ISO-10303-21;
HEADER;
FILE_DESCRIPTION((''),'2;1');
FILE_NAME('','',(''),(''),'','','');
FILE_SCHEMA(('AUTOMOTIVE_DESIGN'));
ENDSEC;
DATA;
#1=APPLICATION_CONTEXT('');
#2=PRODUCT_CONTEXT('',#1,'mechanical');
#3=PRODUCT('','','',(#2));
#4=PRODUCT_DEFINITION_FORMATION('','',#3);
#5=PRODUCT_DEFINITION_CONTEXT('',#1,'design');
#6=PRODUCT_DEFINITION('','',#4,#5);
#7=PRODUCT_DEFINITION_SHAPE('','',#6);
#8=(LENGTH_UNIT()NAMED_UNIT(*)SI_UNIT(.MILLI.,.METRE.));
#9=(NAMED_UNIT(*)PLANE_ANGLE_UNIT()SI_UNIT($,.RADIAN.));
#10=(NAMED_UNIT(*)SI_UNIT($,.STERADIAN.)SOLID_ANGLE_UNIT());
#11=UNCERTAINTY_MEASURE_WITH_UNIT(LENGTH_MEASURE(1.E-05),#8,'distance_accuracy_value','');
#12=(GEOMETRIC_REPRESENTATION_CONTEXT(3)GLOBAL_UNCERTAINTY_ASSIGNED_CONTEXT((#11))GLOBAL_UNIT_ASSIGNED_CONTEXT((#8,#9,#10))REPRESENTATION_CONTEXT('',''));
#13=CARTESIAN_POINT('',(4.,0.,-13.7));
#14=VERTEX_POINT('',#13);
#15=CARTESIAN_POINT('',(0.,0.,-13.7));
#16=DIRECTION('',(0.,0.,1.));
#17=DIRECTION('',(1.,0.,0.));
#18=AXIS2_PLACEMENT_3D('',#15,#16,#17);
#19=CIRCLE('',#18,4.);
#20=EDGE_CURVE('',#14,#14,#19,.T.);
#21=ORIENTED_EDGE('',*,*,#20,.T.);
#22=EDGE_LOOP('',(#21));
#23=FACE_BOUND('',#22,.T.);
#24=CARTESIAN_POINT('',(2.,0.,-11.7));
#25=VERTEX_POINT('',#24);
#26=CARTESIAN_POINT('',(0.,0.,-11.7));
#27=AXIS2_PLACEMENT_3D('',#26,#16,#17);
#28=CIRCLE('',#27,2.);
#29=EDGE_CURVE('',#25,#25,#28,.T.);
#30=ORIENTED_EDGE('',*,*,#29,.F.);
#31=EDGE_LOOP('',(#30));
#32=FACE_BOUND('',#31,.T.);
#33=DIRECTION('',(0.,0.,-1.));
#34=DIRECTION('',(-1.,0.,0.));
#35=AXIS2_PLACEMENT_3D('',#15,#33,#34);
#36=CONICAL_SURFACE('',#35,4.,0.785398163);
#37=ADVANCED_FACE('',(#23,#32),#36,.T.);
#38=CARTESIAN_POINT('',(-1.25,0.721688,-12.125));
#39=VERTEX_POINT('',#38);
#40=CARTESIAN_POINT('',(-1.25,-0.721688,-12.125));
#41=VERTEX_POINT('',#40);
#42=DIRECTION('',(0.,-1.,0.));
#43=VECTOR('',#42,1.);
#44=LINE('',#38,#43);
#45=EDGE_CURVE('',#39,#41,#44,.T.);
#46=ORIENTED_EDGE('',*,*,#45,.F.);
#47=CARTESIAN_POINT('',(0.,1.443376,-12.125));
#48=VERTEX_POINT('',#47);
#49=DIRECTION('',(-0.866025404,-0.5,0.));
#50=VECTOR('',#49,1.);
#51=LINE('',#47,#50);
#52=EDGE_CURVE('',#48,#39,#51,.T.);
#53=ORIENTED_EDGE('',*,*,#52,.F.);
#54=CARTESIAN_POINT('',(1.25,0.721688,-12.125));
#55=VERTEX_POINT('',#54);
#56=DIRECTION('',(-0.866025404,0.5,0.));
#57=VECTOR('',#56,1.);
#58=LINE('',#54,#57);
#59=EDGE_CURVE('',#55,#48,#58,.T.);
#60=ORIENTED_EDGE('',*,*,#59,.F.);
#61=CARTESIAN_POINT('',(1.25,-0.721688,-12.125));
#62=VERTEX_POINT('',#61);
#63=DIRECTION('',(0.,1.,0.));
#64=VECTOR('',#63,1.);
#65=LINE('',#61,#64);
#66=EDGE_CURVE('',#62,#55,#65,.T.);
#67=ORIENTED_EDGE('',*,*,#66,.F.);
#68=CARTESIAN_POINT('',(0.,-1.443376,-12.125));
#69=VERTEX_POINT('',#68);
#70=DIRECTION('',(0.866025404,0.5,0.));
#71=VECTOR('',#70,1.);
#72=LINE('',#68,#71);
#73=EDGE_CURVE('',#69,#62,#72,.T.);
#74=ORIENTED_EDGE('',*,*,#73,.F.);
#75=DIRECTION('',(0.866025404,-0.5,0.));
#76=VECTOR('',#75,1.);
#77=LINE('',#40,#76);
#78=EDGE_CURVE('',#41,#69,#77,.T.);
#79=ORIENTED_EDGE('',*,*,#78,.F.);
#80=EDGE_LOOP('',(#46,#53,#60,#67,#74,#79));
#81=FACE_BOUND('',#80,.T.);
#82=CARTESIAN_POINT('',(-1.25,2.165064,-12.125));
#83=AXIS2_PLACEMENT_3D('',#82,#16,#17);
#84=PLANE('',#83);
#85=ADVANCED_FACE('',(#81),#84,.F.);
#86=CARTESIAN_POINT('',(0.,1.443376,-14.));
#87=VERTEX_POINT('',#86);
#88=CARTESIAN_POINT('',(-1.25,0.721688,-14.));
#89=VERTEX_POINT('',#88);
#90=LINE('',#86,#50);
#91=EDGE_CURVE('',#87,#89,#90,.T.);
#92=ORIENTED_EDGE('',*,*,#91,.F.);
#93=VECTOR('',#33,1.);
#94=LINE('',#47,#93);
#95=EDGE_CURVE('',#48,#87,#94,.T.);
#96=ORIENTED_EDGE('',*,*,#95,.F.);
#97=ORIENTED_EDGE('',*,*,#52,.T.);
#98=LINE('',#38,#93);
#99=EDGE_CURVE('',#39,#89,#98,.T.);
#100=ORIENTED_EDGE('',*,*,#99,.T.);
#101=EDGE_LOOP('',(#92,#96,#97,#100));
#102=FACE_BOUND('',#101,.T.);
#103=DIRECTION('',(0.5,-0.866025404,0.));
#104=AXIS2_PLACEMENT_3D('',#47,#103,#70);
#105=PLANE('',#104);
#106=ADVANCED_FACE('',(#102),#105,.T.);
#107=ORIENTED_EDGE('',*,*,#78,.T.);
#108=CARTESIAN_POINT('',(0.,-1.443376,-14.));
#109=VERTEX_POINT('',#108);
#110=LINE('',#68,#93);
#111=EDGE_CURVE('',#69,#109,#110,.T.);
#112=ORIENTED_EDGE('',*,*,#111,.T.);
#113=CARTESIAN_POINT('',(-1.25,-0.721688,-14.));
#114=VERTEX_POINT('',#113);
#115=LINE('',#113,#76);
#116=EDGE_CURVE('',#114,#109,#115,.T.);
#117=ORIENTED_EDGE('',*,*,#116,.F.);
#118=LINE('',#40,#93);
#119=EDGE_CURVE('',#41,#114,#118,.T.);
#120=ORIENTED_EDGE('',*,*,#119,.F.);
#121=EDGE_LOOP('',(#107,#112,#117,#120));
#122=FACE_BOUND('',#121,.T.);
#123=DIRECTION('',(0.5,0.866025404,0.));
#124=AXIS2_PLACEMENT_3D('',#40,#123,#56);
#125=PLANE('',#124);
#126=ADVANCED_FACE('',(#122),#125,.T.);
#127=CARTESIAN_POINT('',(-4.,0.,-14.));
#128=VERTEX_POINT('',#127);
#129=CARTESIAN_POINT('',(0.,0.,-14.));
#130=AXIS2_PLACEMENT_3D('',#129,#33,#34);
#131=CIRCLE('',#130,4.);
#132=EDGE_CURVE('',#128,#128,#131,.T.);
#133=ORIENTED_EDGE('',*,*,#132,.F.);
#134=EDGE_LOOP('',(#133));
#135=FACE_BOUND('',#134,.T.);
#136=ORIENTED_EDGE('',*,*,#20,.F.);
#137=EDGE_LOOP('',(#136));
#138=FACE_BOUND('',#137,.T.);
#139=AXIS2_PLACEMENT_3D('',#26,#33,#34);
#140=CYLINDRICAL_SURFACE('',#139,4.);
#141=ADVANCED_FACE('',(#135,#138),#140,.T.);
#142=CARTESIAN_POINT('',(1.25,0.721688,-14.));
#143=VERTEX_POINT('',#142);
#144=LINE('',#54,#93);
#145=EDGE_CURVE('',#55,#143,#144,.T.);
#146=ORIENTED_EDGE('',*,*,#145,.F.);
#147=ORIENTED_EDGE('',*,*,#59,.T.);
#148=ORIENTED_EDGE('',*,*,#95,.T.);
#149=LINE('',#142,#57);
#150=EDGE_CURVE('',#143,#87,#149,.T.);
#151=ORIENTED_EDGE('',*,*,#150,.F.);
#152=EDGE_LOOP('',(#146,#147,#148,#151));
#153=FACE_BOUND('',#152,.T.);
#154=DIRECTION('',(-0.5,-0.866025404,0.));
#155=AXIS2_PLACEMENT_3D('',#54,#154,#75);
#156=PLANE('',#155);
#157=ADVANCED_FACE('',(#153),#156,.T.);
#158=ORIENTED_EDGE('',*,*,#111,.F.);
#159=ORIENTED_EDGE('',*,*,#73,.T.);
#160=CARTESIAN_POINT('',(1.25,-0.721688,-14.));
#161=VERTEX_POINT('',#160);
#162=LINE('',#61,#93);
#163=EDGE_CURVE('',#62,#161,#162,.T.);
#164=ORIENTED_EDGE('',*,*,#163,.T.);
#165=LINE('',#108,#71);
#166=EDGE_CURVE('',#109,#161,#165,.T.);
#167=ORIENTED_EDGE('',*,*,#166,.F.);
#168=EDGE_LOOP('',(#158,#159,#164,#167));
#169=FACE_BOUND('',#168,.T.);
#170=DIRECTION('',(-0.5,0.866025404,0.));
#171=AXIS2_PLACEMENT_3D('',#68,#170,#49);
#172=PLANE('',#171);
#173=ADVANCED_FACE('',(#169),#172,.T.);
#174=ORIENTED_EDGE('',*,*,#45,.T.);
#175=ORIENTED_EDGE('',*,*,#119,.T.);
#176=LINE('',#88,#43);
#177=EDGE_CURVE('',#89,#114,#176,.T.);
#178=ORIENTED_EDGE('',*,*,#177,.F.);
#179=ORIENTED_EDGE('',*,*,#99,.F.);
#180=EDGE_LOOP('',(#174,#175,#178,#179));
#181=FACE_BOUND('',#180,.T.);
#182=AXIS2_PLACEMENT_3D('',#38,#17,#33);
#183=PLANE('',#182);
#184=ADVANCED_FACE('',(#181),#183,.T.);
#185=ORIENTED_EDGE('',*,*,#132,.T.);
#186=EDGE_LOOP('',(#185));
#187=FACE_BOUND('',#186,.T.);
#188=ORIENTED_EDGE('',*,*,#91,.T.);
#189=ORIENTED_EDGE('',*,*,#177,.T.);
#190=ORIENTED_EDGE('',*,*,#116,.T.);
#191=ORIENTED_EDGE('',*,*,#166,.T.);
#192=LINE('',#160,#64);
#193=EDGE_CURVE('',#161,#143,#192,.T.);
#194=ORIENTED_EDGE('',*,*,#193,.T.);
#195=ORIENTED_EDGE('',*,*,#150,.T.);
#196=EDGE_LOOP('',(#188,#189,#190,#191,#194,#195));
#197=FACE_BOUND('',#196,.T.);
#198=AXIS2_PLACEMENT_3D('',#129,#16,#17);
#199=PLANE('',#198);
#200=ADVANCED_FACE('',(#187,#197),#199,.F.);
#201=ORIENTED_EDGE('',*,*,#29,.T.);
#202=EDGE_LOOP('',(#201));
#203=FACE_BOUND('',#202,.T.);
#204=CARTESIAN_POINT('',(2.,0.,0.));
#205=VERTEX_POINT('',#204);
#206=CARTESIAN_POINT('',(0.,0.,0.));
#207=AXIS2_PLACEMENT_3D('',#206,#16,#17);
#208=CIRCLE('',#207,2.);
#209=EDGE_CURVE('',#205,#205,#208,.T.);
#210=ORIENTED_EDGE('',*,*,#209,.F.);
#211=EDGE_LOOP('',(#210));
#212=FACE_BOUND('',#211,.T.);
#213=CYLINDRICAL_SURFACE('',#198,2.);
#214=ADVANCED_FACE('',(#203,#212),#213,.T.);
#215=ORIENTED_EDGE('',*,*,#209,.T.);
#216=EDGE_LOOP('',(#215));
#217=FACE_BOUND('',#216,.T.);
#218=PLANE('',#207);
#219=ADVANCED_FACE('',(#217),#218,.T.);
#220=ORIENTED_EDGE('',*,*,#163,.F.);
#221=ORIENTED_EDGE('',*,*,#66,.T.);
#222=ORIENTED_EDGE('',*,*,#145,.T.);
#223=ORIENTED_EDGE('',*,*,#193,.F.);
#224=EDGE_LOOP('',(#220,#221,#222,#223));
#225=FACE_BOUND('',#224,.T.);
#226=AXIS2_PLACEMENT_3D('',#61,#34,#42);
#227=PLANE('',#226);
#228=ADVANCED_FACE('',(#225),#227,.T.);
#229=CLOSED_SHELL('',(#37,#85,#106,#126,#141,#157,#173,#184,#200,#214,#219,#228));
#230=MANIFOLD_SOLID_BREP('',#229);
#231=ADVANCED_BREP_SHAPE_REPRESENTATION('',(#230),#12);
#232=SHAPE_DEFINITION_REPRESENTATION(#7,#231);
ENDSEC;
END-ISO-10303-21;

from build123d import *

# Parameters (mm, degrees)
SKETCH1_R          = 2
EXTRUDE1_DEPTH     = 14
SKETCH6_R          = 4
EXTRUDE2_DEPTH     = 2.3
CUT_EXTRUDE1_DEPTH = 1.875


with BuildPart() as part:
    # Sketch1 → Extrude1 (new body)
    with BuildSketch(Plane.XY):
        Circle(SKETCH1_R)
    extrude(amount=-EXTRUDE1_DEPTH)

    # Sketch6 → Extrude2 (add)
    with BuildSketch(Plane(origin=(0, 0, -14), x_dir=(-1, 0, 0), z_dir=(0, 0, -1))):
        Circle(SKETCH6_R)
    extrude(amount=-EXTRUDE2_DEPTH)

    # Sketch10 → Cut-Revolve2 (revolve, cut)
    with BuildSketch(Plane(origin=(0, 0, 0), x_dir=(0, 0, -1), z_dir=(1, 0, 0)), mode=Mode.PRIVATE) as cut_revolve2_sk:
        Polygon((13.7, -4), (11.7, -2), (11.7, -4), align=None)
    revolve(cut_revolve2_sk.sketch.rotate(Axis((0, 0, 0), (0, 0, -1)), 90), axis=Axis((0, 0, 0), (0, 0, -1)), mode=Mode.SUBTRACT)

    # Sketch7 → Cut-Extrude1 (cut)
    with BuildSketch(Plane.XY.offset(-14)):
        Polygon((0, 1.443375673), (-1.25, 0.721687836), (-1.25, -0.721687836), (0, -1.443375673), (1.25, -0.721687836), (1.25, 0.721687836), align=None)
    extrude(amount=CUT_EXTRUDE1_DEPTH, mode=Mode.SUBTRACT)


solid = part.part
